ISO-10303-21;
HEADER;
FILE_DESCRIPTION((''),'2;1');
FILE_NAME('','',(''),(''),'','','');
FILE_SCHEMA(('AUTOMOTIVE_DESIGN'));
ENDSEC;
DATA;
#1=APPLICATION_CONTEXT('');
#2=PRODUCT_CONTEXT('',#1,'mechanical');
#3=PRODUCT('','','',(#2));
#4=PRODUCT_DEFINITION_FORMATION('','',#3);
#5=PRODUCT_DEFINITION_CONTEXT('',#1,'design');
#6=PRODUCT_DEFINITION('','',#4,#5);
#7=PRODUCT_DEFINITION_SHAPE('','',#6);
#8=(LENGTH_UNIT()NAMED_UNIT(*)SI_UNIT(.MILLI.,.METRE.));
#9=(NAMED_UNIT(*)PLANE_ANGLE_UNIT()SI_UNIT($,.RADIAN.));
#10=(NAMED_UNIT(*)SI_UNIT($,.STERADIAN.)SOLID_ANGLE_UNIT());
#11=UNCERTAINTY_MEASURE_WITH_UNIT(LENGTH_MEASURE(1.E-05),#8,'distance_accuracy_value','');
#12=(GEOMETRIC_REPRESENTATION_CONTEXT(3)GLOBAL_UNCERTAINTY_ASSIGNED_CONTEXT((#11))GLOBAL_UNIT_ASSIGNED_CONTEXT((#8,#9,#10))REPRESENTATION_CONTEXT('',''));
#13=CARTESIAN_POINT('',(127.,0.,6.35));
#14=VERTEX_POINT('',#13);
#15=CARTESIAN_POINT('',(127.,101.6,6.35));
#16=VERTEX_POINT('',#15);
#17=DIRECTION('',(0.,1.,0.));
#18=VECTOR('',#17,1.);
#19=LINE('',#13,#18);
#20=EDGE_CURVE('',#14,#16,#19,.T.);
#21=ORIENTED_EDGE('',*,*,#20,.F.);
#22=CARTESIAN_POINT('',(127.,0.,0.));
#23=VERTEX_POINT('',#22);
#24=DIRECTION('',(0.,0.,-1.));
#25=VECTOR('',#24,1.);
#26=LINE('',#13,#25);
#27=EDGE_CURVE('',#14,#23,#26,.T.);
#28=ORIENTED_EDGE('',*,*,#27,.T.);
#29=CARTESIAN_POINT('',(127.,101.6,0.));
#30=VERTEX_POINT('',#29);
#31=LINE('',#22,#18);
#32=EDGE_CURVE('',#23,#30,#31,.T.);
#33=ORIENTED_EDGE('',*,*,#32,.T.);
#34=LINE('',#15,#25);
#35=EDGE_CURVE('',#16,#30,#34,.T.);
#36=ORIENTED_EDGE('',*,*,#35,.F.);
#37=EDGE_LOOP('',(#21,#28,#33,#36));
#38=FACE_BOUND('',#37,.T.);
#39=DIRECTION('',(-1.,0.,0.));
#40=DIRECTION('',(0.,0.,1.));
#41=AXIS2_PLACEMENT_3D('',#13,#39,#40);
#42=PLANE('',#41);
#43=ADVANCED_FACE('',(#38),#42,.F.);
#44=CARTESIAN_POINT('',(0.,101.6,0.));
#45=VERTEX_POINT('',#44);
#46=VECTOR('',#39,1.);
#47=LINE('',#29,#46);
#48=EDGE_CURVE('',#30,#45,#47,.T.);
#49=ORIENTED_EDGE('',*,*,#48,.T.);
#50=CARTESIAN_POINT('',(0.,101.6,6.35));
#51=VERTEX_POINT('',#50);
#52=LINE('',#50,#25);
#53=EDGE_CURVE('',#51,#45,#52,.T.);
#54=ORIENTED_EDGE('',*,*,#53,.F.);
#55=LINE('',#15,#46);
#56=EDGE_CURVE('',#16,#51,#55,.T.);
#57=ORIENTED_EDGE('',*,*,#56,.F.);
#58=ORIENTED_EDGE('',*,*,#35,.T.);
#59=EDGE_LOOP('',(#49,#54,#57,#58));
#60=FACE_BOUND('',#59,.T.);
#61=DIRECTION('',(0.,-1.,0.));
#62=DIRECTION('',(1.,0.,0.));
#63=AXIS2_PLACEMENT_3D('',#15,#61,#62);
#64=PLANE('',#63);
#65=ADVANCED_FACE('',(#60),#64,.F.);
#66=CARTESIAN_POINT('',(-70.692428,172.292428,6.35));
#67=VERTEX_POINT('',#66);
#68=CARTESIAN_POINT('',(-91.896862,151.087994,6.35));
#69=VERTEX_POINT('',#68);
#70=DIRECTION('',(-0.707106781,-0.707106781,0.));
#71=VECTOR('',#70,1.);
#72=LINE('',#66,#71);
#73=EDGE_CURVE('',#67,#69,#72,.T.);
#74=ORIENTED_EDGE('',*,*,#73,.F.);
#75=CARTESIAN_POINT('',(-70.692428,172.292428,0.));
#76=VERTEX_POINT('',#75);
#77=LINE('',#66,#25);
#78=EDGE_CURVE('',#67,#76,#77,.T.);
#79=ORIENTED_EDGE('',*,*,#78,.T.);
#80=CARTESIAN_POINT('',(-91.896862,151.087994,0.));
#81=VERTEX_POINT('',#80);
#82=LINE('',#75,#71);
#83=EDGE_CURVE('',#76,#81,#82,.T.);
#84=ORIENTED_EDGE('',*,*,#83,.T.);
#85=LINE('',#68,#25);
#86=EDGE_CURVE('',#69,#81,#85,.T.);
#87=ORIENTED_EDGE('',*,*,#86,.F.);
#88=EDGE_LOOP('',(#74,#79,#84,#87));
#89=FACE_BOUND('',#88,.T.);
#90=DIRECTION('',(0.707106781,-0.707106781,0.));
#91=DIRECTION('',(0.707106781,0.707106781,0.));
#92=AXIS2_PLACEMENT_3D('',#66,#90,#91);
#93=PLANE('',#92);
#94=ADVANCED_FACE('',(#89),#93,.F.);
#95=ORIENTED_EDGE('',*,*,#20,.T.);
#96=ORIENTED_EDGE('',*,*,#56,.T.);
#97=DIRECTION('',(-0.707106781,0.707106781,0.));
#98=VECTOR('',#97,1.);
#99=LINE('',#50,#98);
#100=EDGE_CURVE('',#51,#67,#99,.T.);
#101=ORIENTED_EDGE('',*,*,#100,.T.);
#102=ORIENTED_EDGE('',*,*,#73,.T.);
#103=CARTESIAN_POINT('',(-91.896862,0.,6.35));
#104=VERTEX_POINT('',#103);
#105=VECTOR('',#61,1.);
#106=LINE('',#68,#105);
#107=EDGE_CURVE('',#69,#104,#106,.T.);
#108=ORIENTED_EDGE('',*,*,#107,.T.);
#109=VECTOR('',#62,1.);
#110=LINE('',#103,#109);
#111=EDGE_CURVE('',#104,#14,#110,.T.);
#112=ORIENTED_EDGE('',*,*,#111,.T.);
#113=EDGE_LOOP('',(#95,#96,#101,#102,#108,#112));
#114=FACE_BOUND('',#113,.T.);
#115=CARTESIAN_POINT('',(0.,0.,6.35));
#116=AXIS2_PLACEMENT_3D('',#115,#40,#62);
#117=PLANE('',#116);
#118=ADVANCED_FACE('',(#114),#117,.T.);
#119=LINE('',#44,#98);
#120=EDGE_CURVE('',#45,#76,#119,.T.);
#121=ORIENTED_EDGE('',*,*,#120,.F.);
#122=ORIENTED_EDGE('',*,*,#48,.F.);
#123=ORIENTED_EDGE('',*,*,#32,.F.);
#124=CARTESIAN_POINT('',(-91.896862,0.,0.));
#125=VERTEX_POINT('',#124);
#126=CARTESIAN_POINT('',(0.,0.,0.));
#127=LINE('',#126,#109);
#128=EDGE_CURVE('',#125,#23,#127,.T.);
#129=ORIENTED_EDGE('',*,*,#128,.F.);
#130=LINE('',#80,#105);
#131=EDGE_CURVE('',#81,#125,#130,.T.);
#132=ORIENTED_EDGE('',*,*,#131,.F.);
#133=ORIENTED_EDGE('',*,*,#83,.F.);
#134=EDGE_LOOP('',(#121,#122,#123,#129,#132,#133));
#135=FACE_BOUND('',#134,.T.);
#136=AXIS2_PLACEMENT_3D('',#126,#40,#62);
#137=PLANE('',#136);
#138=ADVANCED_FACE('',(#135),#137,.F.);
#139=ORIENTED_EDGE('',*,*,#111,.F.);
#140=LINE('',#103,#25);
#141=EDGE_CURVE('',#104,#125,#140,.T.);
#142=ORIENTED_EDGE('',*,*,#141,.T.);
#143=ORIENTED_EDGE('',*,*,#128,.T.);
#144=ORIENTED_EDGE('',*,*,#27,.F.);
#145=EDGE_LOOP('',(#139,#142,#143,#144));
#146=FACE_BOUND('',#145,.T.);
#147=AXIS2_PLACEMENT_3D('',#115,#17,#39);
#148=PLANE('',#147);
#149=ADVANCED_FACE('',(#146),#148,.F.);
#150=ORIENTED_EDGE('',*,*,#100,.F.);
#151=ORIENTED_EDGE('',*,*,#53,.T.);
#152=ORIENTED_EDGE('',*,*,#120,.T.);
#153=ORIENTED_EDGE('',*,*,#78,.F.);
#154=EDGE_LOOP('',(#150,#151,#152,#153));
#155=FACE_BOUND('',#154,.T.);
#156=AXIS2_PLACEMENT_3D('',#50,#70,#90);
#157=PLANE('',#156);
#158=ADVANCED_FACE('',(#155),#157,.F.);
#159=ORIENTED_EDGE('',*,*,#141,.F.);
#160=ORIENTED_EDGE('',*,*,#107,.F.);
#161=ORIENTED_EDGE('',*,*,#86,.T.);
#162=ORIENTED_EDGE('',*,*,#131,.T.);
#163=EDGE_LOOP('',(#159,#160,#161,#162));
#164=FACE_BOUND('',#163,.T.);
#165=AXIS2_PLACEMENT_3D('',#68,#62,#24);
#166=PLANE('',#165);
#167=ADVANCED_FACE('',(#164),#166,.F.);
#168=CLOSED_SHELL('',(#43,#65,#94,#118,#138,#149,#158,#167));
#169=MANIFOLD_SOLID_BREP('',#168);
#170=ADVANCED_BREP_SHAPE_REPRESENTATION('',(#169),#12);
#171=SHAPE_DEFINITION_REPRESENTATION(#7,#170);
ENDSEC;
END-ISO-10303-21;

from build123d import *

# Parameters (mm, degrees)
BOSS_EXTRUDE1_DEPTH = 6.35


with BuildPart() as part:
    # Sketch1 → Boss-Extrude1 (new body)
    with BuildSketch(Plane.XY):
        Polygon((0, 0), (127, 0), (127, 101.6), (0, 101.6), (-70.692427737, 172.292427737), (-91.896861793, 151.087993682), (-91.896861793, 0), align=None)
    extrude(amount=BOSS_EXTRUDE1_DEPTH)


solid = part.part
